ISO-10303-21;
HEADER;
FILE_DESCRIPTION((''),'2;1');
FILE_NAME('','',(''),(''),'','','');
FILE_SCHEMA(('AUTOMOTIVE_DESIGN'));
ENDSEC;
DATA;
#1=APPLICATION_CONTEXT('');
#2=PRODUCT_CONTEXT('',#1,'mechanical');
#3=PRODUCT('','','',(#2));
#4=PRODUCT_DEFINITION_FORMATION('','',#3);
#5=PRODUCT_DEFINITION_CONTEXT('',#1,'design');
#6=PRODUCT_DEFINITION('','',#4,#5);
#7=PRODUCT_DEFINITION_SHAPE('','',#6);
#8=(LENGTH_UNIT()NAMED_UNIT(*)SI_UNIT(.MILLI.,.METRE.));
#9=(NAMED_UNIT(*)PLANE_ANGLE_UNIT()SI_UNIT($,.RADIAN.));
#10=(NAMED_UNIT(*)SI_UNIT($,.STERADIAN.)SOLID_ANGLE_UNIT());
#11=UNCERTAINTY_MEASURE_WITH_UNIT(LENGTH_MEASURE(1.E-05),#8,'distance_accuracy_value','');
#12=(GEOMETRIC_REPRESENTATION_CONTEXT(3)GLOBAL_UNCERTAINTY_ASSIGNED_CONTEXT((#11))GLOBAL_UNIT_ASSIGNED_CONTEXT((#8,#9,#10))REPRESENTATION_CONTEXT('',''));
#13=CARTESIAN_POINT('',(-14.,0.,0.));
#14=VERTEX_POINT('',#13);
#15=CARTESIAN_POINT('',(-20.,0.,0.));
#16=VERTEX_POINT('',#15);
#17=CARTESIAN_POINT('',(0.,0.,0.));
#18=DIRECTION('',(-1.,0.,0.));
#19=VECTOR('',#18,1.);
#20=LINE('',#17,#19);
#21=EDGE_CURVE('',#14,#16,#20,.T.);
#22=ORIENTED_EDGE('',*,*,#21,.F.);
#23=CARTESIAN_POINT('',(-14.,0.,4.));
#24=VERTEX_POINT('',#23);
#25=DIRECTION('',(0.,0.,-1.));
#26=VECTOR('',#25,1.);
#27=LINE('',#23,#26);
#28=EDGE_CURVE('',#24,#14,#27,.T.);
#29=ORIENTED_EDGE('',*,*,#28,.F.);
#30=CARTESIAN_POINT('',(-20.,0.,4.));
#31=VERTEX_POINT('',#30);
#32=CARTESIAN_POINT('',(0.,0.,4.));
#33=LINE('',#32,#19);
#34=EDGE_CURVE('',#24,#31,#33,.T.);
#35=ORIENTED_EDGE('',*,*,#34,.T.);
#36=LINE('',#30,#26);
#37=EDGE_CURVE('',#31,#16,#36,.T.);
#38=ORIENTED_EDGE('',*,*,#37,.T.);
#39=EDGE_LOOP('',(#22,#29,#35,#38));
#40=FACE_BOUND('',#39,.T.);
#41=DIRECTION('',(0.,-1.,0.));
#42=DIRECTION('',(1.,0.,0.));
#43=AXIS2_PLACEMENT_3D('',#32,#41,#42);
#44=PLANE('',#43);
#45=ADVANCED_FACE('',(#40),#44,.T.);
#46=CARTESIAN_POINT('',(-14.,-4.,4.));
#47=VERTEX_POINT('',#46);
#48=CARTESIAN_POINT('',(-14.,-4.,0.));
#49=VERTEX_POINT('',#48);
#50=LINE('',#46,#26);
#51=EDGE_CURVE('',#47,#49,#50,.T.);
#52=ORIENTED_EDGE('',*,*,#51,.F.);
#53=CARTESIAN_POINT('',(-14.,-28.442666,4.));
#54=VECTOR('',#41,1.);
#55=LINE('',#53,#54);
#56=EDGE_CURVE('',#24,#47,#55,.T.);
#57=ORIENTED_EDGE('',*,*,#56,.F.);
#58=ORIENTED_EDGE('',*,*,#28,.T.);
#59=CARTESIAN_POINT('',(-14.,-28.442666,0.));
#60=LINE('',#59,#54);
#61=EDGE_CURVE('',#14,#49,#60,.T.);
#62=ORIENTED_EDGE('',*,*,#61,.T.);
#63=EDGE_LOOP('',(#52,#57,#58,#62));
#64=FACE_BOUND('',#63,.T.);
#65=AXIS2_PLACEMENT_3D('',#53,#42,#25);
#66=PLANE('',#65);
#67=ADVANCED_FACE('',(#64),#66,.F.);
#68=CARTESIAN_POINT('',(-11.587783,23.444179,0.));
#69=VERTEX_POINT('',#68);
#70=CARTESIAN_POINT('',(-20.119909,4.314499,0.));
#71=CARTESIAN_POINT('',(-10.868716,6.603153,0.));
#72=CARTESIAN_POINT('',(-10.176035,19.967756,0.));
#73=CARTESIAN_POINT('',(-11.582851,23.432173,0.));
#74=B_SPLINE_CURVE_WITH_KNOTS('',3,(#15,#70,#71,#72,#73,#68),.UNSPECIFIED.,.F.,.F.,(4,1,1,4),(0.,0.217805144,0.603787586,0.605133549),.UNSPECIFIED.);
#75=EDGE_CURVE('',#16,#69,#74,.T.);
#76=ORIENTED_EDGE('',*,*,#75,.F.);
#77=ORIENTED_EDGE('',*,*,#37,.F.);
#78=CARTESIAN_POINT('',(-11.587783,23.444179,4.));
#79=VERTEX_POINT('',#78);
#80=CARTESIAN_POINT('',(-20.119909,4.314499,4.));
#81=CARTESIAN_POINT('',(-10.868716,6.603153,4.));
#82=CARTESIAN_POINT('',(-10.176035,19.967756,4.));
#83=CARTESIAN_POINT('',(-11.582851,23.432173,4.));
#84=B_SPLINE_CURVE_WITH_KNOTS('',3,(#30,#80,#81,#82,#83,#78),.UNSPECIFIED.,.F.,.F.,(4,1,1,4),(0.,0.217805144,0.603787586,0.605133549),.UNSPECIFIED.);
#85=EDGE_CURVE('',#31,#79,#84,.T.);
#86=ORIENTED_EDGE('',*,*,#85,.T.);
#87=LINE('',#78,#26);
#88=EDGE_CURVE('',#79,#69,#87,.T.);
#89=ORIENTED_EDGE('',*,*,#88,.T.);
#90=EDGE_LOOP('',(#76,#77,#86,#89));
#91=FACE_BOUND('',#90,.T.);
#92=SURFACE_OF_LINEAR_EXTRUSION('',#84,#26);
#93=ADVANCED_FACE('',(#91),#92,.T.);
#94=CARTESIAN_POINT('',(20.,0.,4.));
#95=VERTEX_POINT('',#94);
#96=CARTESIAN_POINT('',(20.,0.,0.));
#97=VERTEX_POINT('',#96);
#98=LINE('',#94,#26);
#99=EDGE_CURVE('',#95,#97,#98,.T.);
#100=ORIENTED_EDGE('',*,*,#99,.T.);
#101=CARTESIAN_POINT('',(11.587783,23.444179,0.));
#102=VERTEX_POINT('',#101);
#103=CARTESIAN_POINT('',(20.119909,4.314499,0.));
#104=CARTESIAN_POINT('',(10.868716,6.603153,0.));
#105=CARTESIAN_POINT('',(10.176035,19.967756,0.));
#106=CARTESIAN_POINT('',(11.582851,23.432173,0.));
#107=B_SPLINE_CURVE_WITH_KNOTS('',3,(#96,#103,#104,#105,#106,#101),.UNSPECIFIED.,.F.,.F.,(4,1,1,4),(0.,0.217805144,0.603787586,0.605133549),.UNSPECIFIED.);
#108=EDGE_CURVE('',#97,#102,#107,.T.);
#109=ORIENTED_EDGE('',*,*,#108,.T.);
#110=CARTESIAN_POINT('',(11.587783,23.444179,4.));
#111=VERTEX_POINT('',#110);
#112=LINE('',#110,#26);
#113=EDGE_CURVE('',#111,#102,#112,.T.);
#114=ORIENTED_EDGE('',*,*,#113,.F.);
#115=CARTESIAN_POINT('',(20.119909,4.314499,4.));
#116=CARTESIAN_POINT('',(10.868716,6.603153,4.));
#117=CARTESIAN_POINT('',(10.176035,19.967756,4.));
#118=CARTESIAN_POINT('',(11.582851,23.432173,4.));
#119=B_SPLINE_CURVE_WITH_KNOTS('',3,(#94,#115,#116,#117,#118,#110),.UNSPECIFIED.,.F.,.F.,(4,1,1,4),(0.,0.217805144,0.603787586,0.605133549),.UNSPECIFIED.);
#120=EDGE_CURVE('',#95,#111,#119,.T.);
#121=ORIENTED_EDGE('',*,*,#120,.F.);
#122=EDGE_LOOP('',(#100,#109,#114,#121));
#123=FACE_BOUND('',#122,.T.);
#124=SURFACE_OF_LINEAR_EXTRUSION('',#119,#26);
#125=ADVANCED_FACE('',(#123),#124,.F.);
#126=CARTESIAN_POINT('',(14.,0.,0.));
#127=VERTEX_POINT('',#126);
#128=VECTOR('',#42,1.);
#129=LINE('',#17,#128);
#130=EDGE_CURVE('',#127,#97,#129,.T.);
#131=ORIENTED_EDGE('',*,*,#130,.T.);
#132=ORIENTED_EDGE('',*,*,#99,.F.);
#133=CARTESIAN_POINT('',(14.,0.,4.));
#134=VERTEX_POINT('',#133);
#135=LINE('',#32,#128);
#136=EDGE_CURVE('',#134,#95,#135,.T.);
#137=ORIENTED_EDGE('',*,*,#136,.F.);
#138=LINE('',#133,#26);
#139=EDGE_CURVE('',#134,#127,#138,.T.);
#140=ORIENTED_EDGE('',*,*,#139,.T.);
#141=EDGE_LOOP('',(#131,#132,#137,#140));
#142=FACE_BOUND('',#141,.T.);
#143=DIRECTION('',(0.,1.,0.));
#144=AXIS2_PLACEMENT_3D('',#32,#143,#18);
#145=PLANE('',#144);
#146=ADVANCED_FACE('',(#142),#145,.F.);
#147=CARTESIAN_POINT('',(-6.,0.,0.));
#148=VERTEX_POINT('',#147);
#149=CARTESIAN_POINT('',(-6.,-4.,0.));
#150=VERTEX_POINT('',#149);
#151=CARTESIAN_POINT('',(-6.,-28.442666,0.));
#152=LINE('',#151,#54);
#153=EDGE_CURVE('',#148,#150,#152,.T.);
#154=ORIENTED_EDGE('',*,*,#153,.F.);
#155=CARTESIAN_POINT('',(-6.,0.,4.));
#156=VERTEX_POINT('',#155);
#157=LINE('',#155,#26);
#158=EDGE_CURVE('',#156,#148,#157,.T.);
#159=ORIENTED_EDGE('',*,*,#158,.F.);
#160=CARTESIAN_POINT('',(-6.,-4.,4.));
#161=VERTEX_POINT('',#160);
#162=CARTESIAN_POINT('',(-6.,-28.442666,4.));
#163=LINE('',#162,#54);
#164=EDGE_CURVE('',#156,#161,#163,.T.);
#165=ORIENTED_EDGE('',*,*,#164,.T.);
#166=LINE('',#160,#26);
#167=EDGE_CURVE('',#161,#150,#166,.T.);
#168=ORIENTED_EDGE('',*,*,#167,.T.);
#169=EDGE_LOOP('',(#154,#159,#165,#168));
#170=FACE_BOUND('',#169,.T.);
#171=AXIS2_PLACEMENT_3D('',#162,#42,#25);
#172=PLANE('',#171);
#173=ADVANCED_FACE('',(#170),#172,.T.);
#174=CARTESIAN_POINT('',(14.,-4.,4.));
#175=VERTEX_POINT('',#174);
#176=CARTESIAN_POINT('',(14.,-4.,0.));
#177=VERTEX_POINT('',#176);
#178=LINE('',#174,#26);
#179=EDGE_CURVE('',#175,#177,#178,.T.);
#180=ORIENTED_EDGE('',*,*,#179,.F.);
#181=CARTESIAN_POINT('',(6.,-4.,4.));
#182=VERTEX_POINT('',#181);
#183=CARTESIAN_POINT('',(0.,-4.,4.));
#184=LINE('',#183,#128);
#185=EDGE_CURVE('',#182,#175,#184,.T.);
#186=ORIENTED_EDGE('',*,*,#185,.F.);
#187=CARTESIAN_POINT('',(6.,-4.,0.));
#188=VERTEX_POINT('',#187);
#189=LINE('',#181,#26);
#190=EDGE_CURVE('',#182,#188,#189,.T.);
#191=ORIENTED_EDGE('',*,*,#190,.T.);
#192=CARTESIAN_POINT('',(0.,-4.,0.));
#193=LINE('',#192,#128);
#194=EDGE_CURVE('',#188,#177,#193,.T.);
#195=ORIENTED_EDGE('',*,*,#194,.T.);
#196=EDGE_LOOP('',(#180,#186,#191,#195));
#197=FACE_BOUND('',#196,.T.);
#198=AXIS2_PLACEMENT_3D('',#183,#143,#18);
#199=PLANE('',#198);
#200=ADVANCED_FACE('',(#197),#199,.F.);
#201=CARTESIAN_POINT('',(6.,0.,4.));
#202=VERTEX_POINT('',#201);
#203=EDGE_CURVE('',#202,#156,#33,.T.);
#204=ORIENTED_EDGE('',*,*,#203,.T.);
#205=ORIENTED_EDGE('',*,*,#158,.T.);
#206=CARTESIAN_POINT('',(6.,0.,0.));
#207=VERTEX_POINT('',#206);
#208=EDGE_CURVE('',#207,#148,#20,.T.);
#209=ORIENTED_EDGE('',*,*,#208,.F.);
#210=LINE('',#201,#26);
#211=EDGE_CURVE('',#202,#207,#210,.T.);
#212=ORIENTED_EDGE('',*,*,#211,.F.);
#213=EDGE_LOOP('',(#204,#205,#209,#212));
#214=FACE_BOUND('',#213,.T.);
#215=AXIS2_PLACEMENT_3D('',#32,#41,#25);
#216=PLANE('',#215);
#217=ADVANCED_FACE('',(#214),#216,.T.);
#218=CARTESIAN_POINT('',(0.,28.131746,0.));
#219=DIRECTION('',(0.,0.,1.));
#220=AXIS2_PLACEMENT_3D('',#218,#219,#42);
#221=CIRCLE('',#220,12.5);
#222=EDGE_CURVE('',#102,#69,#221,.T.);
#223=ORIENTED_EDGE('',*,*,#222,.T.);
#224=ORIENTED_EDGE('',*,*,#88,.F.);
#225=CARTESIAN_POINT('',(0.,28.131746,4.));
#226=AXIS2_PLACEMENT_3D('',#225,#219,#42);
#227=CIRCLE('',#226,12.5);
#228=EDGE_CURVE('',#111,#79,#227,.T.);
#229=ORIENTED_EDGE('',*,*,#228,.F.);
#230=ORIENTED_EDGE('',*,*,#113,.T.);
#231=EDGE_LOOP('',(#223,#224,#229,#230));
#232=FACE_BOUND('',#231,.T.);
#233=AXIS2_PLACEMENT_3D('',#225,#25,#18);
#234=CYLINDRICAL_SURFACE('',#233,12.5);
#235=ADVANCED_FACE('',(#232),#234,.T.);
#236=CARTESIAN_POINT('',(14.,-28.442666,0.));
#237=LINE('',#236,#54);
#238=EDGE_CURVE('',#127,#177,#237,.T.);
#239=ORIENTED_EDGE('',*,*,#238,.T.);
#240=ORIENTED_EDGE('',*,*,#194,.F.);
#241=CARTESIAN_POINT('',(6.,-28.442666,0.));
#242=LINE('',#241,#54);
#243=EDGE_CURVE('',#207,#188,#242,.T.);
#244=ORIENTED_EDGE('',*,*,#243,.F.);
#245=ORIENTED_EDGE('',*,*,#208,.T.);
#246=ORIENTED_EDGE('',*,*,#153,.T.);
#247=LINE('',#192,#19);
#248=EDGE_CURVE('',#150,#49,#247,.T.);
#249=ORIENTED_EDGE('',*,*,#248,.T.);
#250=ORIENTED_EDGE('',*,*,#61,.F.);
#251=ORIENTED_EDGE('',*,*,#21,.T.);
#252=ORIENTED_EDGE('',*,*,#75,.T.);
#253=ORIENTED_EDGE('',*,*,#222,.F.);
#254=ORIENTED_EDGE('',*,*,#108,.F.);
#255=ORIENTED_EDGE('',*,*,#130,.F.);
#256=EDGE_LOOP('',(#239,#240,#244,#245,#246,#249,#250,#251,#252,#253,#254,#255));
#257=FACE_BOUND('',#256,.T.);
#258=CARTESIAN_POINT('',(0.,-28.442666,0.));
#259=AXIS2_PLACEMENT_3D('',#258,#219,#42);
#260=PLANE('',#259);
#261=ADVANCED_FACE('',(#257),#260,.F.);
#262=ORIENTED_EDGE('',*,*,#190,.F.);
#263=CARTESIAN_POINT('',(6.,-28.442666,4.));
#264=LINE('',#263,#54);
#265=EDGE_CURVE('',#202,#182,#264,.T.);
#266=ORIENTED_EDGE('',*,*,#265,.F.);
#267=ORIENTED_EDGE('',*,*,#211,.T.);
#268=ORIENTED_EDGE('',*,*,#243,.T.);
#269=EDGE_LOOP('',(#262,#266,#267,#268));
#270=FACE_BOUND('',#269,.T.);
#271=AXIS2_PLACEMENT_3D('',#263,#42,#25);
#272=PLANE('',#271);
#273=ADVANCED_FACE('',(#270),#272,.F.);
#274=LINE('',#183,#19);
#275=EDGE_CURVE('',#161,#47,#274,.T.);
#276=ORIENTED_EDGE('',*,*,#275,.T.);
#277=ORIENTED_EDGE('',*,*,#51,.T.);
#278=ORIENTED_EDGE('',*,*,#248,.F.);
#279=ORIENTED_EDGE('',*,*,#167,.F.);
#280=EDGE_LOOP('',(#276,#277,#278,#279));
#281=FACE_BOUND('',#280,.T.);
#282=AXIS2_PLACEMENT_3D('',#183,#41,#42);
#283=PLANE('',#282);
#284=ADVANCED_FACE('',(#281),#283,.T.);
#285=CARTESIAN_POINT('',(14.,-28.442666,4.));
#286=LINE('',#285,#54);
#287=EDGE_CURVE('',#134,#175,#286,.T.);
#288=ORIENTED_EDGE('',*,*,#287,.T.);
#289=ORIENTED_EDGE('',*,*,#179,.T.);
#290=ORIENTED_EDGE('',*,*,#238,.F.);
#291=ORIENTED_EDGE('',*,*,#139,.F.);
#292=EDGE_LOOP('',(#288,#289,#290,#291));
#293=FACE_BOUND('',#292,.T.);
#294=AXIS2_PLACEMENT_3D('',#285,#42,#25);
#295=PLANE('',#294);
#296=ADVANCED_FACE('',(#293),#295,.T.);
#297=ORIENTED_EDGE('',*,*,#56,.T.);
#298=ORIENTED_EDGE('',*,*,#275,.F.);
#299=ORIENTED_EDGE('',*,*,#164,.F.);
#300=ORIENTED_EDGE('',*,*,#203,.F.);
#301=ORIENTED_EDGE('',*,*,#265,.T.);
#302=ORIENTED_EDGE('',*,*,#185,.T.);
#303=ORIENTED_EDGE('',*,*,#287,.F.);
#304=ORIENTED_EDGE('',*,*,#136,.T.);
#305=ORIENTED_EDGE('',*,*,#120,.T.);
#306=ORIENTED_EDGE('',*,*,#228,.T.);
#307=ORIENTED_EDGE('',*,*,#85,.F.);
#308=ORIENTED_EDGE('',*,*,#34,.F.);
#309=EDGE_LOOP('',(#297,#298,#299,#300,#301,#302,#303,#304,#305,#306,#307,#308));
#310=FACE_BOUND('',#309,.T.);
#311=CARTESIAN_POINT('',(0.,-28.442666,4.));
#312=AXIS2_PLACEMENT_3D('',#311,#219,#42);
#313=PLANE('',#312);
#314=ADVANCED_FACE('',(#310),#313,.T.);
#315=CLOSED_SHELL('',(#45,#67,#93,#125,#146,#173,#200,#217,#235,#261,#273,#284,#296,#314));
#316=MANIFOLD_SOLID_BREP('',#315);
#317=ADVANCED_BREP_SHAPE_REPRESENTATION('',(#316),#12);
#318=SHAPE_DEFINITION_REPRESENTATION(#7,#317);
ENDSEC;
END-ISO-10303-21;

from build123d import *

# Parameters (mm, degrees)
BOSS_EXTRUDE1_DEPTH = 4


with BuildPart() as part:
    # Sketch1 → Boss-Extrude1 (new body)
    with BuildSketch(Plane.XY):
        with BuildLine():
            Line((-6, 0), (0, 0))
            Line((0, 0), (0, 40.631746277))
            ThreePointArc((0, 40.631746277), (-10.364472675, 35.119428737), (-11.587783027, 23.444179263))
            ThreePointArc((-11.587783027, 23.444179263), (-11.580453389, 23.426100806), (-11.573095546, 23.40803381))
            add(Edge.make_bspline(
                [(-20, 0), (-20.119909127, 4.314498585), (-10.868715854, 6.603153145), (-10.177575907, 19.938030034), (-11.573095546, 23.40803381)],
                knots=[0, 0, 0, 0, 0.217805144, 0.603787586, 0.603787586, 0.603787586, 0.603787586], degree=3))
            Line((-20, 0), (-14, 0))
            Line((-14, 0), (-14, -4))
            Line((-14, -4), (-6, -4))
            Line((-6, -4), (-6, 0))
        make_face()
        with BuildLine():
            Line((0, 40.631746277), (0, 0))
            Line((0, 0), (6, 0))
            Line((6, 0), (6, -4))
            Line((6, -4), (14, -4))
            Line((14, -4), (14, 0))
            Line((14, 0), (20, 0))
            add(Edge.make_bspline(
                [(20, 0), (20.119909127, 4.314498585), (10.868715854, 6.603153145), (10.177575907, 19.938030034), (11.573095546, 23.40803381)],
                knots=[0, 0, 0, 0, 0.217805144, 0.603787586, 0.603787586, 0.603787586, 0.603787586], degree=3))
            ThreePointArc((11.573095546, 23.40803381), (11.580453389, 23.426100806), (11.587783027, 23.444179263))
            ThreePointArc((11.587783027, 23.444179263), (10.364472675, 35.119428737), (0, 40.631746277))
        make_face()
    extrude(amount=BOSS_EXTRUDE1_DEPTH)


solid = part.part
